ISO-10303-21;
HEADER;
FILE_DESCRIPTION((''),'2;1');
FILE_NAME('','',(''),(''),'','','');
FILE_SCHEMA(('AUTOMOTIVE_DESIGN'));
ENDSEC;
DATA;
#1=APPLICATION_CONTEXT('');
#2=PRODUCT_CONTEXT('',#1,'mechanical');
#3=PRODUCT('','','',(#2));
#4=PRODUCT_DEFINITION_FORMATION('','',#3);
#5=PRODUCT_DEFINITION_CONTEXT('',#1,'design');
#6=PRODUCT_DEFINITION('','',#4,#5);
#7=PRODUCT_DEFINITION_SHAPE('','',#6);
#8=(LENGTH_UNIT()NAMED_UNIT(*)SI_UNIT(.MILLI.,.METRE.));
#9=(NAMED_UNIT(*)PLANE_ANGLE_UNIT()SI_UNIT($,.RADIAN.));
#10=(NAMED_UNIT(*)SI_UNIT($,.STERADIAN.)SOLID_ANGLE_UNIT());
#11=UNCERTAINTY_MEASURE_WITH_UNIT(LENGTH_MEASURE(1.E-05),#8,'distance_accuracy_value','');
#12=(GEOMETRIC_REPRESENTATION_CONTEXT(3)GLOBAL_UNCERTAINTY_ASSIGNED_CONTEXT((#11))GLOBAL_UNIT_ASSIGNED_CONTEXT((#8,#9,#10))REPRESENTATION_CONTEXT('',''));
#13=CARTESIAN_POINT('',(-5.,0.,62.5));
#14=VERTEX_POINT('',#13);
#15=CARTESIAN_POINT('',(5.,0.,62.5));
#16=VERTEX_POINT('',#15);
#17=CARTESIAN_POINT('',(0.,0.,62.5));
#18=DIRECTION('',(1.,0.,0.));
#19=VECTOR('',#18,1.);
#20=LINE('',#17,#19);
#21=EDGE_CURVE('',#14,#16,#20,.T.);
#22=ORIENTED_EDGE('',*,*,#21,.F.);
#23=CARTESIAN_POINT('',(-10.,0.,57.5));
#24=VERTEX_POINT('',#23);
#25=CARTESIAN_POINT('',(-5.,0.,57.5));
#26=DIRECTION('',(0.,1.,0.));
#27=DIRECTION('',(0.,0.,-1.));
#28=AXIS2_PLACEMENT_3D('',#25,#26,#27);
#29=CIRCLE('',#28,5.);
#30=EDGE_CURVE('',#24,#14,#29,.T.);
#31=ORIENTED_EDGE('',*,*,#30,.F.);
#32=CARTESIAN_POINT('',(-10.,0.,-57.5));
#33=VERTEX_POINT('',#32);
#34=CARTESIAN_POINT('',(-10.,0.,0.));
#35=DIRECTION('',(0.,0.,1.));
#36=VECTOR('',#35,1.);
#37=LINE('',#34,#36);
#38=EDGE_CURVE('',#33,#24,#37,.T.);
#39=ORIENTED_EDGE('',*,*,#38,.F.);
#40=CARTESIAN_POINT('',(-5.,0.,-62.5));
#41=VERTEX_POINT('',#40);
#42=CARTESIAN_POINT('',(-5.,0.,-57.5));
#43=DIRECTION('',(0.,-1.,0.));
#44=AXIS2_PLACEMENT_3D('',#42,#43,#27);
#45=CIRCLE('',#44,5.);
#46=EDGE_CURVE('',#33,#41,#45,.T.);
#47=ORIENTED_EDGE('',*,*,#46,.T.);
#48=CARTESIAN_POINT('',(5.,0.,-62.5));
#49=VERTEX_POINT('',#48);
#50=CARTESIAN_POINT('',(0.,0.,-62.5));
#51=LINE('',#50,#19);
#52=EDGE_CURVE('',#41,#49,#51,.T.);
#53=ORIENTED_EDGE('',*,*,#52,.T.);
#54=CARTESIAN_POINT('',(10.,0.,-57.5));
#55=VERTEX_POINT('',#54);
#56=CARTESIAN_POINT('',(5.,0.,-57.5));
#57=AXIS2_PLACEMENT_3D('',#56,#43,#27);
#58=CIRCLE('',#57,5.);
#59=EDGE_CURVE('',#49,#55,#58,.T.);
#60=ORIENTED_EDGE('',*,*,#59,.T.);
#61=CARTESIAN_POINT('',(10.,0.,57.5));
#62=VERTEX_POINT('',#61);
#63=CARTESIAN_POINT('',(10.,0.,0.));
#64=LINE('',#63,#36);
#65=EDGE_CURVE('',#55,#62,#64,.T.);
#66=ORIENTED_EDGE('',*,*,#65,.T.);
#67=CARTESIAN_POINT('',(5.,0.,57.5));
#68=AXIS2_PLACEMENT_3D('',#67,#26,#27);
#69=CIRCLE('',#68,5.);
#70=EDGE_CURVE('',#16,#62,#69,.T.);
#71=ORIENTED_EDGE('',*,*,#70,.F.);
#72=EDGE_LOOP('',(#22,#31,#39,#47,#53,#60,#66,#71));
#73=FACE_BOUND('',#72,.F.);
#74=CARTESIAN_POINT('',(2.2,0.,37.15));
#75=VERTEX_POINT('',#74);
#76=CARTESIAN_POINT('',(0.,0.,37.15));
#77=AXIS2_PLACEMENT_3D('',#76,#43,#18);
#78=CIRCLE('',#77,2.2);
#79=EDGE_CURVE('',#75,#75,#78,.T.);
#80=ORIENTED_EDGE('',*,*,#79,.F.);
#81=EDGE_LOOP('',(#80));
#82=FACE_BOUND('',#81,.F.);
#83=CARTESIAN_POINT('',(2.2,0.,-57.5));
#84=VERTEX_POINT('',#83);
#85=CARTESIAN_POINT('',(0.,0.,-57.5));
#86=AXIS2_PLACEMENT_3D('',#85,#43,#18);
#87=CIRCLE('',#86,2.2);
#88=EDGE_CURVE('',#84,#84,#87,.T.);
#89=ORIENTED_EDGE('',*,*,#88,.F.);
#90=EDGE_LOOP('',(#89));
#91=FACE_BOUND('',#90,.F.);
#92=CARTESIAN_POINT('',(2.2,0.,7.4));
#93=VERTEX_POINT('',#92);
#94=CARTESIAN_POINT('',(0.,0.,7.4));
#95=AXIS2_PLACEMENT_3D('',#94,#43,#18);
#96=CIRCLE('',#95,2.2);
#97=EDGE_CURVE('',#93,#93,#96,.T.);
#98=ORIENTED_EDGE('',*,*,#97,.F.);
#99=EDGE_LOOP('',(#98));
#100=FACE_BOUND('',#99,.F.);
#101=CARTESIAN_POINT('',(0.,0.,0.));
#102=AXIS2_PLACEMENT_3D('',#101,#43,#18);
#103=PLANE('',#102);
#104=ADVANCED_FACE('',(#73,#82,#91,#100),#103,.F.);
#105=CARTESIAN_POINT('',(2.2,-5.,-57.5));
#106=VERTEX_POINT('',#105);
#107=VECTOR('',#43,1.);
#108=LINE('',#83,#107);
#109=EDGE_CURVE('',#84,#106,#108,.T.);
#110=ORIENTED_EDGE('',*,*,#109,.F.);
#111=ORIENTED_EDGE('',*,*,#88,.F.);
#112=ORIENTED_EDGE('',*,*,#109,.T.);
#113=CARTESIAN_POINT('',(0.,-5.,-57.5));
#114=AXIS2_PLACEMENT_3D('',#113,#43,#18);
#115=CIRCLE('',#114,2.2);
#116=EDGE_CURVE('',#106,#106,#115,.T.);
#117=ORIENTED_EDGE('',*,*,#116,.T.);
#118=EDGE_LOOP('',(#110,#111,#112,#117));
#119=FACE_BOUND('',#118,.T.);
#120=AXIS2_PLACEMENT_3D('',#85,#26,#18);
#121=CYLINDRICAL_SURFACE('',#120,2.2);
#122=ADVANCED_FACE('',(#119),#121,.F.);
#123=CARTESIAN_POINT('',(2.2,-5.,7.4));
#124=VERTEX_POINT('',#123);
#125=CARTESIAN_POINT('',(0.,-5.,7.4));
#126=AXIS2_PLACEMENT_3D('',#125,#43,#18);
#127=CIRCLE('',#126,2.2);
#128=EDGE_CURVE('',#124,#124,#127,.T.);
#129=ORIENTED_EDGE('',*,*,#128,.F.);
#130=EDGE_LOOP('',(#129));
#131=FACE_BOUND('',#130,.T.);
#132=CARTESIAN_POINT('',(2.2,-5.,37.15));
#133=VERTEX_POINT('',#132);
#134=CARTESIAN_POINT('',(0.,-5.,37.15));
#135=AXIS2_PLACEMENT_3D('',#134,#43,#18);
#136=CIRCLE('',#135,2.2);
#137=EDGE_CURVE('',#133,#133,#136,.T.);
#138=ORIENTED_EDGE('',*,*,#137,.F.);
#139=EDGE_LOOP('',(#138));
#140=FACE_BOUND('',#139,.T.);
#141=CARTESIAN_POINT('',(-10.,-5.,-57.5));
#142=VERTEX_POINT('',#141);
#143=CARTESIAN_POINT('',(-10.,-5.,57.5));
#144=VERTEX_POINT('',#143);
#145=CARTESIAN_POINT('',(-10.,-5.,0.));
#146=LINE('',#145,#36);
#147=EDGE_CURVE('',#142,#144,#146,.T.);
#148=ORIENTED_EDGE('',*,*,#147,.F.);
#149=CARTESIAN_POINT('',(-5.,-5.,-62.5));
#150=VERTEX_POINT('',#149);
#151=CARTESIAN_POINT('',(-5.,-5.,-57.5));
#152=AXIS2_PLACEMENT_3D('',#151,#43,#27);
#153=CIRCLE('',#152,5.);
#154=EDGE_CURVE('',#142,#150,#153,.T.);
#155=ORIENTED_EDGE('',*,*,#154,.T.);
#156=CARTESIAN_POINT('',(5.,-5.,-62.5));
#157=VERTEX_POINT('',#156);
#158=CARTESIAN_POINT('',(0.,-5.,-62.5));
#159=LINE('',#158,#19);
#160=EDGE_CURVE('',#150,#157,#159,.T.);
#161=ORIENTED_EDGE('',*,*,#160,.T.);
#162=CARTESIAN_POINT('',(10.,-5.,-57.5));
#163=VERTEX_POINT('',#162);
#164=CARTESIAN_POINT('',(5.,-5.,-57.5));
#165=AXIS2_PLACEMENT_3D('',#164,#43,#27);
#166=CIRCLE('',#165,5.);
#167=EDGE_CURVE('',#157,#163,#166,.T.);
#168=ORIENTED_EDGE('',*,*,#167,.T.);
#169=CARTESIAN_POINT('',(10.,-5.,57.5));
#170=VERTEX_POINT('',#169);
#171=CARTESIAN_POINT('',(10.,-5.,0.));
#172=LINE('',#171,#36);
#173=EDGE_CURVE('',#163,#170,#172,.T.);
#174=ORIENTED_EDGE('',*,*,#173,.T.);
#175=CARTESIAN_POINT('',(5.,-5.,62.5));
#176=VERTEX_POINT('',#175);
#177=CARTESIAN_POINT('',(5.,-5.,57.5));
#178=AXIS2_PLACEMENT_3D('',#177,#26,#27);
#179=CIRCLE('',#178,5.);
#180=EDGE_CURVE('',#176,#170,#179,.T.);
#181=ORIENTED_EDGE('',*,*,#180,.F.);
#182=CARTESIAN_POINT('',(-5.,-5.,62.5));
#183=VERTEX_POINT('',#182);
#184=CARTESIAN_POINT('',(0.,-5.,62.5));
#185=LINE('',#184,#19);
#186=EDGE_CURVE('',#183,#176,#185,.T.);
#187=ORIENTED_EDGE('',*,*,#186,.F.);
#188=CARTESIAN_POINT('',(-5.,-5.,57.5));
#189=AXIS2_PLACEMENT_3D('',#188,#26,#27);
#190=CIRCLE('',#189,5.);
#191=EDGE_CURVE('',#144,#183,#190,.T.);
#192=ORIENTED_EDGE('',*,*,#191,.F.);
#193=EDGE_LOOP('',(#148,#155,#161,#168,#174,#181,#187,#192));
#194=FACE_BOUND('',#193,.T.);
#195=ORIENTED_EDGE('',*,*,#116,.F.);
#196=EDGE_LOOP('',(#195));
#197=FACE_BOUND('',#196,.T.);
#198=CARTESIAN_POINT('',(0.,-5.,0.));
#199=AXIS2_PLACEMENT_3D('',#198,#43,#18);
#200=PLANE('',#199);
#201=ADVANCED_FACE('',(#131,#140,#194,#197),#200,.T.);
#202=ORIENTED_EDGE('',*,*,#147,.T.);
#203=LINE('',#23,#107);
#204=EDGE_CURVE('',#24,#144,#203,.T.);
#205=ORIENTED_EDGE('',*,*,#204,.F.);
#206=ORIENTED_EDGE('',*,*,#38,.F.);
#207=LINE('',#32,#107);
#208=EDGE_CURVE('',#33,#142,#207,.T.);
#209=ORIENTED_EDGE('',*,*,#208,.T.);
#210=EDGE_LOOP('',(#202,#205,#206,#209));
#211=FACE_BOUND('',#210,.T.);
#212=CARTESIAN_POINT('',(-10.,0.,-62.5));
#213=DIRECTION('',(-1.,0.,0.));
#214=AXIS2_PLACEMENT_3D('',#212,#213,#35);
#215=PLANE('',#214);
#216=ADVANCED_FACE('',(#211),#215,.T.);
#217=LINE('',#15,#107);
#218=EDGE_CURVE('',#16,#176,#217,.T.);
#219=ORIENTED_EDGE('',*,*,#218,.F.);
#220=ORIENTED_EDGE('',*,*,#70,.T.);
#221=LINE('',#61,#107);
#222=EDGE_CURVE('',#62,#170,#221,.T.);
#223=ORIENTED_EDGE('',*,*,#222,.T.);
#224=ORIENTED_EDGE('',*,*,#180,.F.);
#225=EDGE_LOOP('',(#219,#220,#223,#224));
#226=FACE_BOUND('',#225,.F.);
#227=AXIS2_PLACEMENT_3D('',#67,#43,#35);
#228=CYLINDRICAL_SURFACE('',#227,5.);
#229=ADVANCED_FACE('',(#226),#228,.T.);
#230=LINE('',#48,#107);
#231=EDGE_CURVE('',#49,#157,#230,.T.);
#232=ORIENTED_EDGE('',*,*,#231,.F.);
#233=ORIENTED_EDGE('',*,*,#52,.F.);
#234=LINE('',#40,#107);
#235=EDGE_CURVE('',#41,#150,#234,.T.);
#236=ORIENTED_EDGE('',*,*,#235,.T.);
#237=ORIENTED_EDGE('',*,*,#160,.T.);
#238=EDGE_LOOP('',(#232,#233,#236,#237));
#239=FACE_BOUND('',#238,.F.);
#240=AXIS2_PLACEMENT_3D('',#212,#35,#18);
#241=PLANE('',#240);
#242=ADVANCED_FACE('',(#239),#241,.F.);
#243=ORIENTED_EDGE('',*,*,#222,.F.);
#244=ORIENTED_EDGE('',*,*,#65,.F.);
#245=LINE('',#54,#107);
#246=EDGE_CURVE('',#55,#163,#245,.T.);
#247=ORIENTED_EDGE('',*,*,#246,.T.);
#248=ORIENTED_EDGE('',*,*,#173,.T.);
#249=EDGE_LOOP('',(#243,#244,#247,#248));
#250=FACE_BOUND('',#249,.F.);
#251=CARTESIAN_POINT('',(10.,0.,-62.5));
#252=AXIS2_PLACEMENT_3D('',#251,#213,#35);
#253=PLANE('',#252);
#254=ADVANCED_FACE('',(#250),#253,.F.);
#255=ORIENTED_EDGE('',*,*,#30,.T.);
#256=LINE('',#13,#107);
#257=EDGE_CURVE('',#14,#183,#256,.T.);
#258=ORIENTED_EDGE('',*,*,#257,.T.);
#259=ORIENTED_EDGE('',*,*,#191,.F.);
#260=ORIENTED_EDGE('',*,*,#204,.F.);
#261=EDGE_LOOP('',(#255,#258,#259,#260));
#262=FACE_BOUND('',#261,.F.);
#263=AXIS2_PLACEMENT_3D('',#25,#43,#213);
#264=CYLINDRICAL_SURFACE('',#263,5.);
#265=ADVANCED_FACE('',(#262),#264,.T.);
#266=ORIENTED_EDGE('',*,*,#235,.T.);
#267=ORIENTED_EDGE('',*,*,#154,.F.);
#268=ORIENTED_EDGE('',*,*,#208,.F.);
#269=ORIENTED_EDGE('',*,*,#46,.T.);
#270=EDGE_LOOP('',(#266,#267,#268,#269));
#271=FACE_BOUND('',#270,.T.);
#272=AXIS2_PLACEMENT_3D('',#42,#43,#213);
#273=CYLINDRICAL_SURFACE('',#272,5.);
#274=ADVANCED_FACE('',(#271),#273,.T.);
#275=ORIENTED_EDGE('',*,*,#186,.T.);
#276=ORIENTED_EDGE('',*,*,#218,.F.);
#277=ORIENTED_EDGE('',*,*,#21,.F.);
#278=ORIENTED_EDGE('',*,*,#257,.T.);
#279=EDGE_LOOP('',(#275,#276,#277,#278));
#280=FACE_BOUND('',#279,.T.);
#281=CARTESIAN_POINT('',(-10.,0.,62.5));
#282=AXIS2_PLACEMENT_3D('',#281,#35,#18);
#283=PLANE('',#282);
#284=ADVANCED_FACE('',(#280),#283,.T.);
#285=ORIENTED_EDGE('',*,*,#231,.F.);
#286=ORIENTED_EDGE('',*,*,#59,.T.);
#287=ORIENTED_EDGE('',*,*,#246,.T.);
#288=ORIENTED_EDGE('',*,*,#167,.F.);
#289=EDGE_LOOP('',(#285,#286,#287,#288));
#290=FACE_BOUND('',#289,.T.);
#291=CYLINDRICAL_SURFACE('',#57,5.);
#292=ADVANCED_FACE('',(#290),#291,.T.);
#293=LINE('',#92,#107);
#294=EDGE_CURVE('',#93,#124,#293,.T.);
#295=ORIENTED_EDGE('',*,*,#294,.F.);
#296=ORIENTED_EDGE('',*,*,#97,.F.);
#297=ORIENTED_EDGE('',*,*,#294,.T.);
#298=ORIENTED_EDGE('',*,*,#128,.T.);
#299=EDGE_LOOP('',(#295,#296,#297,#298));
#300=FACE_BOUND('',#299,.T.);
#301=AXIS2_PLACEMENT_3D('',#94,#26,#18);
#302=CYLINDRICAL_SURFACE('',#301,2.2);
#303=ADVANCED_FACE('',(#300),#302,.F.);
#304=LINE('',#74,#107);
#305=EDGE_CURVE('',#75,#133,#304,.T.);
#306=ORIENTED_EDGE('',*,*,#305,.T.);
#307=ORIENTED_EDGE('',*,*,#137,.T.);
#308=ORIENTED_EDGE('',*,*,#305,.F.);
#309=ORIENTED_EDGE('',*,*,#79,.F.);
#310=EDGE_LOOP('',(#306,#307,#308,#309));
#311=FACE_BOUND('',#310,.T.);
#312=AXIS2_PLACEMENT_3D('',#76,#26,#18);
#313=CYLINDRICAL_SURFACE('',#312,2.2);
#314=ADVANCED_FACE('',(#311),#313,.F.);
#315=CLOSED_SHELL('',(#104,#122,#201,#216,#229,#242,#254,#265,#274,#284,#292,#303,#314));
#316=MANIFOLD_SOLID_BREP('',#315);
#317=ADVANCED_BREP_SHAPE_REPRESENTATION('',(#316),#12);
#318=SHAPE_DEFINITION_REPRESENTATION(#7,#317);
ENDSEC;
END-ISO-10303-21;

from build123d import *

# Parameters (mm, degrees)
F0_W     = 20
F0_H     = 125
F0_R     = 2.2
F1_DEPTH = 5
F2_R     = 5


with BuildPart() as f1:
    # F0 (on Front) → F1 (new body)
    with BuildSketch(Plane.XZ):
        Rectangle(F0_W, F0_H)
        with Locations((0, -57.5)):
            Circle(F0_R, mode=Mode.SUBTRACT)
        with Locations((0, 7.4)):
            Circle(F0_R, mode=Mode.SUBTRACT)
        with Locations((0, 37.15)):
            Circle(F0_R, mode=Mode.SUBTRACT)
    extrude(amount=F1_DEPTH)

    # F2
    f2_edges = [f1.edges().sort_by_distance(p)[0] for p in [
        (-10, -2.5, 62.5),
        (10, -2.5, 62.5),
        (-10, -2.5, -62.5),
        (10, -2.5, -62.5),
    ]]
    fillet(f2_edges, radius=F2_R)


solid = f1.part
